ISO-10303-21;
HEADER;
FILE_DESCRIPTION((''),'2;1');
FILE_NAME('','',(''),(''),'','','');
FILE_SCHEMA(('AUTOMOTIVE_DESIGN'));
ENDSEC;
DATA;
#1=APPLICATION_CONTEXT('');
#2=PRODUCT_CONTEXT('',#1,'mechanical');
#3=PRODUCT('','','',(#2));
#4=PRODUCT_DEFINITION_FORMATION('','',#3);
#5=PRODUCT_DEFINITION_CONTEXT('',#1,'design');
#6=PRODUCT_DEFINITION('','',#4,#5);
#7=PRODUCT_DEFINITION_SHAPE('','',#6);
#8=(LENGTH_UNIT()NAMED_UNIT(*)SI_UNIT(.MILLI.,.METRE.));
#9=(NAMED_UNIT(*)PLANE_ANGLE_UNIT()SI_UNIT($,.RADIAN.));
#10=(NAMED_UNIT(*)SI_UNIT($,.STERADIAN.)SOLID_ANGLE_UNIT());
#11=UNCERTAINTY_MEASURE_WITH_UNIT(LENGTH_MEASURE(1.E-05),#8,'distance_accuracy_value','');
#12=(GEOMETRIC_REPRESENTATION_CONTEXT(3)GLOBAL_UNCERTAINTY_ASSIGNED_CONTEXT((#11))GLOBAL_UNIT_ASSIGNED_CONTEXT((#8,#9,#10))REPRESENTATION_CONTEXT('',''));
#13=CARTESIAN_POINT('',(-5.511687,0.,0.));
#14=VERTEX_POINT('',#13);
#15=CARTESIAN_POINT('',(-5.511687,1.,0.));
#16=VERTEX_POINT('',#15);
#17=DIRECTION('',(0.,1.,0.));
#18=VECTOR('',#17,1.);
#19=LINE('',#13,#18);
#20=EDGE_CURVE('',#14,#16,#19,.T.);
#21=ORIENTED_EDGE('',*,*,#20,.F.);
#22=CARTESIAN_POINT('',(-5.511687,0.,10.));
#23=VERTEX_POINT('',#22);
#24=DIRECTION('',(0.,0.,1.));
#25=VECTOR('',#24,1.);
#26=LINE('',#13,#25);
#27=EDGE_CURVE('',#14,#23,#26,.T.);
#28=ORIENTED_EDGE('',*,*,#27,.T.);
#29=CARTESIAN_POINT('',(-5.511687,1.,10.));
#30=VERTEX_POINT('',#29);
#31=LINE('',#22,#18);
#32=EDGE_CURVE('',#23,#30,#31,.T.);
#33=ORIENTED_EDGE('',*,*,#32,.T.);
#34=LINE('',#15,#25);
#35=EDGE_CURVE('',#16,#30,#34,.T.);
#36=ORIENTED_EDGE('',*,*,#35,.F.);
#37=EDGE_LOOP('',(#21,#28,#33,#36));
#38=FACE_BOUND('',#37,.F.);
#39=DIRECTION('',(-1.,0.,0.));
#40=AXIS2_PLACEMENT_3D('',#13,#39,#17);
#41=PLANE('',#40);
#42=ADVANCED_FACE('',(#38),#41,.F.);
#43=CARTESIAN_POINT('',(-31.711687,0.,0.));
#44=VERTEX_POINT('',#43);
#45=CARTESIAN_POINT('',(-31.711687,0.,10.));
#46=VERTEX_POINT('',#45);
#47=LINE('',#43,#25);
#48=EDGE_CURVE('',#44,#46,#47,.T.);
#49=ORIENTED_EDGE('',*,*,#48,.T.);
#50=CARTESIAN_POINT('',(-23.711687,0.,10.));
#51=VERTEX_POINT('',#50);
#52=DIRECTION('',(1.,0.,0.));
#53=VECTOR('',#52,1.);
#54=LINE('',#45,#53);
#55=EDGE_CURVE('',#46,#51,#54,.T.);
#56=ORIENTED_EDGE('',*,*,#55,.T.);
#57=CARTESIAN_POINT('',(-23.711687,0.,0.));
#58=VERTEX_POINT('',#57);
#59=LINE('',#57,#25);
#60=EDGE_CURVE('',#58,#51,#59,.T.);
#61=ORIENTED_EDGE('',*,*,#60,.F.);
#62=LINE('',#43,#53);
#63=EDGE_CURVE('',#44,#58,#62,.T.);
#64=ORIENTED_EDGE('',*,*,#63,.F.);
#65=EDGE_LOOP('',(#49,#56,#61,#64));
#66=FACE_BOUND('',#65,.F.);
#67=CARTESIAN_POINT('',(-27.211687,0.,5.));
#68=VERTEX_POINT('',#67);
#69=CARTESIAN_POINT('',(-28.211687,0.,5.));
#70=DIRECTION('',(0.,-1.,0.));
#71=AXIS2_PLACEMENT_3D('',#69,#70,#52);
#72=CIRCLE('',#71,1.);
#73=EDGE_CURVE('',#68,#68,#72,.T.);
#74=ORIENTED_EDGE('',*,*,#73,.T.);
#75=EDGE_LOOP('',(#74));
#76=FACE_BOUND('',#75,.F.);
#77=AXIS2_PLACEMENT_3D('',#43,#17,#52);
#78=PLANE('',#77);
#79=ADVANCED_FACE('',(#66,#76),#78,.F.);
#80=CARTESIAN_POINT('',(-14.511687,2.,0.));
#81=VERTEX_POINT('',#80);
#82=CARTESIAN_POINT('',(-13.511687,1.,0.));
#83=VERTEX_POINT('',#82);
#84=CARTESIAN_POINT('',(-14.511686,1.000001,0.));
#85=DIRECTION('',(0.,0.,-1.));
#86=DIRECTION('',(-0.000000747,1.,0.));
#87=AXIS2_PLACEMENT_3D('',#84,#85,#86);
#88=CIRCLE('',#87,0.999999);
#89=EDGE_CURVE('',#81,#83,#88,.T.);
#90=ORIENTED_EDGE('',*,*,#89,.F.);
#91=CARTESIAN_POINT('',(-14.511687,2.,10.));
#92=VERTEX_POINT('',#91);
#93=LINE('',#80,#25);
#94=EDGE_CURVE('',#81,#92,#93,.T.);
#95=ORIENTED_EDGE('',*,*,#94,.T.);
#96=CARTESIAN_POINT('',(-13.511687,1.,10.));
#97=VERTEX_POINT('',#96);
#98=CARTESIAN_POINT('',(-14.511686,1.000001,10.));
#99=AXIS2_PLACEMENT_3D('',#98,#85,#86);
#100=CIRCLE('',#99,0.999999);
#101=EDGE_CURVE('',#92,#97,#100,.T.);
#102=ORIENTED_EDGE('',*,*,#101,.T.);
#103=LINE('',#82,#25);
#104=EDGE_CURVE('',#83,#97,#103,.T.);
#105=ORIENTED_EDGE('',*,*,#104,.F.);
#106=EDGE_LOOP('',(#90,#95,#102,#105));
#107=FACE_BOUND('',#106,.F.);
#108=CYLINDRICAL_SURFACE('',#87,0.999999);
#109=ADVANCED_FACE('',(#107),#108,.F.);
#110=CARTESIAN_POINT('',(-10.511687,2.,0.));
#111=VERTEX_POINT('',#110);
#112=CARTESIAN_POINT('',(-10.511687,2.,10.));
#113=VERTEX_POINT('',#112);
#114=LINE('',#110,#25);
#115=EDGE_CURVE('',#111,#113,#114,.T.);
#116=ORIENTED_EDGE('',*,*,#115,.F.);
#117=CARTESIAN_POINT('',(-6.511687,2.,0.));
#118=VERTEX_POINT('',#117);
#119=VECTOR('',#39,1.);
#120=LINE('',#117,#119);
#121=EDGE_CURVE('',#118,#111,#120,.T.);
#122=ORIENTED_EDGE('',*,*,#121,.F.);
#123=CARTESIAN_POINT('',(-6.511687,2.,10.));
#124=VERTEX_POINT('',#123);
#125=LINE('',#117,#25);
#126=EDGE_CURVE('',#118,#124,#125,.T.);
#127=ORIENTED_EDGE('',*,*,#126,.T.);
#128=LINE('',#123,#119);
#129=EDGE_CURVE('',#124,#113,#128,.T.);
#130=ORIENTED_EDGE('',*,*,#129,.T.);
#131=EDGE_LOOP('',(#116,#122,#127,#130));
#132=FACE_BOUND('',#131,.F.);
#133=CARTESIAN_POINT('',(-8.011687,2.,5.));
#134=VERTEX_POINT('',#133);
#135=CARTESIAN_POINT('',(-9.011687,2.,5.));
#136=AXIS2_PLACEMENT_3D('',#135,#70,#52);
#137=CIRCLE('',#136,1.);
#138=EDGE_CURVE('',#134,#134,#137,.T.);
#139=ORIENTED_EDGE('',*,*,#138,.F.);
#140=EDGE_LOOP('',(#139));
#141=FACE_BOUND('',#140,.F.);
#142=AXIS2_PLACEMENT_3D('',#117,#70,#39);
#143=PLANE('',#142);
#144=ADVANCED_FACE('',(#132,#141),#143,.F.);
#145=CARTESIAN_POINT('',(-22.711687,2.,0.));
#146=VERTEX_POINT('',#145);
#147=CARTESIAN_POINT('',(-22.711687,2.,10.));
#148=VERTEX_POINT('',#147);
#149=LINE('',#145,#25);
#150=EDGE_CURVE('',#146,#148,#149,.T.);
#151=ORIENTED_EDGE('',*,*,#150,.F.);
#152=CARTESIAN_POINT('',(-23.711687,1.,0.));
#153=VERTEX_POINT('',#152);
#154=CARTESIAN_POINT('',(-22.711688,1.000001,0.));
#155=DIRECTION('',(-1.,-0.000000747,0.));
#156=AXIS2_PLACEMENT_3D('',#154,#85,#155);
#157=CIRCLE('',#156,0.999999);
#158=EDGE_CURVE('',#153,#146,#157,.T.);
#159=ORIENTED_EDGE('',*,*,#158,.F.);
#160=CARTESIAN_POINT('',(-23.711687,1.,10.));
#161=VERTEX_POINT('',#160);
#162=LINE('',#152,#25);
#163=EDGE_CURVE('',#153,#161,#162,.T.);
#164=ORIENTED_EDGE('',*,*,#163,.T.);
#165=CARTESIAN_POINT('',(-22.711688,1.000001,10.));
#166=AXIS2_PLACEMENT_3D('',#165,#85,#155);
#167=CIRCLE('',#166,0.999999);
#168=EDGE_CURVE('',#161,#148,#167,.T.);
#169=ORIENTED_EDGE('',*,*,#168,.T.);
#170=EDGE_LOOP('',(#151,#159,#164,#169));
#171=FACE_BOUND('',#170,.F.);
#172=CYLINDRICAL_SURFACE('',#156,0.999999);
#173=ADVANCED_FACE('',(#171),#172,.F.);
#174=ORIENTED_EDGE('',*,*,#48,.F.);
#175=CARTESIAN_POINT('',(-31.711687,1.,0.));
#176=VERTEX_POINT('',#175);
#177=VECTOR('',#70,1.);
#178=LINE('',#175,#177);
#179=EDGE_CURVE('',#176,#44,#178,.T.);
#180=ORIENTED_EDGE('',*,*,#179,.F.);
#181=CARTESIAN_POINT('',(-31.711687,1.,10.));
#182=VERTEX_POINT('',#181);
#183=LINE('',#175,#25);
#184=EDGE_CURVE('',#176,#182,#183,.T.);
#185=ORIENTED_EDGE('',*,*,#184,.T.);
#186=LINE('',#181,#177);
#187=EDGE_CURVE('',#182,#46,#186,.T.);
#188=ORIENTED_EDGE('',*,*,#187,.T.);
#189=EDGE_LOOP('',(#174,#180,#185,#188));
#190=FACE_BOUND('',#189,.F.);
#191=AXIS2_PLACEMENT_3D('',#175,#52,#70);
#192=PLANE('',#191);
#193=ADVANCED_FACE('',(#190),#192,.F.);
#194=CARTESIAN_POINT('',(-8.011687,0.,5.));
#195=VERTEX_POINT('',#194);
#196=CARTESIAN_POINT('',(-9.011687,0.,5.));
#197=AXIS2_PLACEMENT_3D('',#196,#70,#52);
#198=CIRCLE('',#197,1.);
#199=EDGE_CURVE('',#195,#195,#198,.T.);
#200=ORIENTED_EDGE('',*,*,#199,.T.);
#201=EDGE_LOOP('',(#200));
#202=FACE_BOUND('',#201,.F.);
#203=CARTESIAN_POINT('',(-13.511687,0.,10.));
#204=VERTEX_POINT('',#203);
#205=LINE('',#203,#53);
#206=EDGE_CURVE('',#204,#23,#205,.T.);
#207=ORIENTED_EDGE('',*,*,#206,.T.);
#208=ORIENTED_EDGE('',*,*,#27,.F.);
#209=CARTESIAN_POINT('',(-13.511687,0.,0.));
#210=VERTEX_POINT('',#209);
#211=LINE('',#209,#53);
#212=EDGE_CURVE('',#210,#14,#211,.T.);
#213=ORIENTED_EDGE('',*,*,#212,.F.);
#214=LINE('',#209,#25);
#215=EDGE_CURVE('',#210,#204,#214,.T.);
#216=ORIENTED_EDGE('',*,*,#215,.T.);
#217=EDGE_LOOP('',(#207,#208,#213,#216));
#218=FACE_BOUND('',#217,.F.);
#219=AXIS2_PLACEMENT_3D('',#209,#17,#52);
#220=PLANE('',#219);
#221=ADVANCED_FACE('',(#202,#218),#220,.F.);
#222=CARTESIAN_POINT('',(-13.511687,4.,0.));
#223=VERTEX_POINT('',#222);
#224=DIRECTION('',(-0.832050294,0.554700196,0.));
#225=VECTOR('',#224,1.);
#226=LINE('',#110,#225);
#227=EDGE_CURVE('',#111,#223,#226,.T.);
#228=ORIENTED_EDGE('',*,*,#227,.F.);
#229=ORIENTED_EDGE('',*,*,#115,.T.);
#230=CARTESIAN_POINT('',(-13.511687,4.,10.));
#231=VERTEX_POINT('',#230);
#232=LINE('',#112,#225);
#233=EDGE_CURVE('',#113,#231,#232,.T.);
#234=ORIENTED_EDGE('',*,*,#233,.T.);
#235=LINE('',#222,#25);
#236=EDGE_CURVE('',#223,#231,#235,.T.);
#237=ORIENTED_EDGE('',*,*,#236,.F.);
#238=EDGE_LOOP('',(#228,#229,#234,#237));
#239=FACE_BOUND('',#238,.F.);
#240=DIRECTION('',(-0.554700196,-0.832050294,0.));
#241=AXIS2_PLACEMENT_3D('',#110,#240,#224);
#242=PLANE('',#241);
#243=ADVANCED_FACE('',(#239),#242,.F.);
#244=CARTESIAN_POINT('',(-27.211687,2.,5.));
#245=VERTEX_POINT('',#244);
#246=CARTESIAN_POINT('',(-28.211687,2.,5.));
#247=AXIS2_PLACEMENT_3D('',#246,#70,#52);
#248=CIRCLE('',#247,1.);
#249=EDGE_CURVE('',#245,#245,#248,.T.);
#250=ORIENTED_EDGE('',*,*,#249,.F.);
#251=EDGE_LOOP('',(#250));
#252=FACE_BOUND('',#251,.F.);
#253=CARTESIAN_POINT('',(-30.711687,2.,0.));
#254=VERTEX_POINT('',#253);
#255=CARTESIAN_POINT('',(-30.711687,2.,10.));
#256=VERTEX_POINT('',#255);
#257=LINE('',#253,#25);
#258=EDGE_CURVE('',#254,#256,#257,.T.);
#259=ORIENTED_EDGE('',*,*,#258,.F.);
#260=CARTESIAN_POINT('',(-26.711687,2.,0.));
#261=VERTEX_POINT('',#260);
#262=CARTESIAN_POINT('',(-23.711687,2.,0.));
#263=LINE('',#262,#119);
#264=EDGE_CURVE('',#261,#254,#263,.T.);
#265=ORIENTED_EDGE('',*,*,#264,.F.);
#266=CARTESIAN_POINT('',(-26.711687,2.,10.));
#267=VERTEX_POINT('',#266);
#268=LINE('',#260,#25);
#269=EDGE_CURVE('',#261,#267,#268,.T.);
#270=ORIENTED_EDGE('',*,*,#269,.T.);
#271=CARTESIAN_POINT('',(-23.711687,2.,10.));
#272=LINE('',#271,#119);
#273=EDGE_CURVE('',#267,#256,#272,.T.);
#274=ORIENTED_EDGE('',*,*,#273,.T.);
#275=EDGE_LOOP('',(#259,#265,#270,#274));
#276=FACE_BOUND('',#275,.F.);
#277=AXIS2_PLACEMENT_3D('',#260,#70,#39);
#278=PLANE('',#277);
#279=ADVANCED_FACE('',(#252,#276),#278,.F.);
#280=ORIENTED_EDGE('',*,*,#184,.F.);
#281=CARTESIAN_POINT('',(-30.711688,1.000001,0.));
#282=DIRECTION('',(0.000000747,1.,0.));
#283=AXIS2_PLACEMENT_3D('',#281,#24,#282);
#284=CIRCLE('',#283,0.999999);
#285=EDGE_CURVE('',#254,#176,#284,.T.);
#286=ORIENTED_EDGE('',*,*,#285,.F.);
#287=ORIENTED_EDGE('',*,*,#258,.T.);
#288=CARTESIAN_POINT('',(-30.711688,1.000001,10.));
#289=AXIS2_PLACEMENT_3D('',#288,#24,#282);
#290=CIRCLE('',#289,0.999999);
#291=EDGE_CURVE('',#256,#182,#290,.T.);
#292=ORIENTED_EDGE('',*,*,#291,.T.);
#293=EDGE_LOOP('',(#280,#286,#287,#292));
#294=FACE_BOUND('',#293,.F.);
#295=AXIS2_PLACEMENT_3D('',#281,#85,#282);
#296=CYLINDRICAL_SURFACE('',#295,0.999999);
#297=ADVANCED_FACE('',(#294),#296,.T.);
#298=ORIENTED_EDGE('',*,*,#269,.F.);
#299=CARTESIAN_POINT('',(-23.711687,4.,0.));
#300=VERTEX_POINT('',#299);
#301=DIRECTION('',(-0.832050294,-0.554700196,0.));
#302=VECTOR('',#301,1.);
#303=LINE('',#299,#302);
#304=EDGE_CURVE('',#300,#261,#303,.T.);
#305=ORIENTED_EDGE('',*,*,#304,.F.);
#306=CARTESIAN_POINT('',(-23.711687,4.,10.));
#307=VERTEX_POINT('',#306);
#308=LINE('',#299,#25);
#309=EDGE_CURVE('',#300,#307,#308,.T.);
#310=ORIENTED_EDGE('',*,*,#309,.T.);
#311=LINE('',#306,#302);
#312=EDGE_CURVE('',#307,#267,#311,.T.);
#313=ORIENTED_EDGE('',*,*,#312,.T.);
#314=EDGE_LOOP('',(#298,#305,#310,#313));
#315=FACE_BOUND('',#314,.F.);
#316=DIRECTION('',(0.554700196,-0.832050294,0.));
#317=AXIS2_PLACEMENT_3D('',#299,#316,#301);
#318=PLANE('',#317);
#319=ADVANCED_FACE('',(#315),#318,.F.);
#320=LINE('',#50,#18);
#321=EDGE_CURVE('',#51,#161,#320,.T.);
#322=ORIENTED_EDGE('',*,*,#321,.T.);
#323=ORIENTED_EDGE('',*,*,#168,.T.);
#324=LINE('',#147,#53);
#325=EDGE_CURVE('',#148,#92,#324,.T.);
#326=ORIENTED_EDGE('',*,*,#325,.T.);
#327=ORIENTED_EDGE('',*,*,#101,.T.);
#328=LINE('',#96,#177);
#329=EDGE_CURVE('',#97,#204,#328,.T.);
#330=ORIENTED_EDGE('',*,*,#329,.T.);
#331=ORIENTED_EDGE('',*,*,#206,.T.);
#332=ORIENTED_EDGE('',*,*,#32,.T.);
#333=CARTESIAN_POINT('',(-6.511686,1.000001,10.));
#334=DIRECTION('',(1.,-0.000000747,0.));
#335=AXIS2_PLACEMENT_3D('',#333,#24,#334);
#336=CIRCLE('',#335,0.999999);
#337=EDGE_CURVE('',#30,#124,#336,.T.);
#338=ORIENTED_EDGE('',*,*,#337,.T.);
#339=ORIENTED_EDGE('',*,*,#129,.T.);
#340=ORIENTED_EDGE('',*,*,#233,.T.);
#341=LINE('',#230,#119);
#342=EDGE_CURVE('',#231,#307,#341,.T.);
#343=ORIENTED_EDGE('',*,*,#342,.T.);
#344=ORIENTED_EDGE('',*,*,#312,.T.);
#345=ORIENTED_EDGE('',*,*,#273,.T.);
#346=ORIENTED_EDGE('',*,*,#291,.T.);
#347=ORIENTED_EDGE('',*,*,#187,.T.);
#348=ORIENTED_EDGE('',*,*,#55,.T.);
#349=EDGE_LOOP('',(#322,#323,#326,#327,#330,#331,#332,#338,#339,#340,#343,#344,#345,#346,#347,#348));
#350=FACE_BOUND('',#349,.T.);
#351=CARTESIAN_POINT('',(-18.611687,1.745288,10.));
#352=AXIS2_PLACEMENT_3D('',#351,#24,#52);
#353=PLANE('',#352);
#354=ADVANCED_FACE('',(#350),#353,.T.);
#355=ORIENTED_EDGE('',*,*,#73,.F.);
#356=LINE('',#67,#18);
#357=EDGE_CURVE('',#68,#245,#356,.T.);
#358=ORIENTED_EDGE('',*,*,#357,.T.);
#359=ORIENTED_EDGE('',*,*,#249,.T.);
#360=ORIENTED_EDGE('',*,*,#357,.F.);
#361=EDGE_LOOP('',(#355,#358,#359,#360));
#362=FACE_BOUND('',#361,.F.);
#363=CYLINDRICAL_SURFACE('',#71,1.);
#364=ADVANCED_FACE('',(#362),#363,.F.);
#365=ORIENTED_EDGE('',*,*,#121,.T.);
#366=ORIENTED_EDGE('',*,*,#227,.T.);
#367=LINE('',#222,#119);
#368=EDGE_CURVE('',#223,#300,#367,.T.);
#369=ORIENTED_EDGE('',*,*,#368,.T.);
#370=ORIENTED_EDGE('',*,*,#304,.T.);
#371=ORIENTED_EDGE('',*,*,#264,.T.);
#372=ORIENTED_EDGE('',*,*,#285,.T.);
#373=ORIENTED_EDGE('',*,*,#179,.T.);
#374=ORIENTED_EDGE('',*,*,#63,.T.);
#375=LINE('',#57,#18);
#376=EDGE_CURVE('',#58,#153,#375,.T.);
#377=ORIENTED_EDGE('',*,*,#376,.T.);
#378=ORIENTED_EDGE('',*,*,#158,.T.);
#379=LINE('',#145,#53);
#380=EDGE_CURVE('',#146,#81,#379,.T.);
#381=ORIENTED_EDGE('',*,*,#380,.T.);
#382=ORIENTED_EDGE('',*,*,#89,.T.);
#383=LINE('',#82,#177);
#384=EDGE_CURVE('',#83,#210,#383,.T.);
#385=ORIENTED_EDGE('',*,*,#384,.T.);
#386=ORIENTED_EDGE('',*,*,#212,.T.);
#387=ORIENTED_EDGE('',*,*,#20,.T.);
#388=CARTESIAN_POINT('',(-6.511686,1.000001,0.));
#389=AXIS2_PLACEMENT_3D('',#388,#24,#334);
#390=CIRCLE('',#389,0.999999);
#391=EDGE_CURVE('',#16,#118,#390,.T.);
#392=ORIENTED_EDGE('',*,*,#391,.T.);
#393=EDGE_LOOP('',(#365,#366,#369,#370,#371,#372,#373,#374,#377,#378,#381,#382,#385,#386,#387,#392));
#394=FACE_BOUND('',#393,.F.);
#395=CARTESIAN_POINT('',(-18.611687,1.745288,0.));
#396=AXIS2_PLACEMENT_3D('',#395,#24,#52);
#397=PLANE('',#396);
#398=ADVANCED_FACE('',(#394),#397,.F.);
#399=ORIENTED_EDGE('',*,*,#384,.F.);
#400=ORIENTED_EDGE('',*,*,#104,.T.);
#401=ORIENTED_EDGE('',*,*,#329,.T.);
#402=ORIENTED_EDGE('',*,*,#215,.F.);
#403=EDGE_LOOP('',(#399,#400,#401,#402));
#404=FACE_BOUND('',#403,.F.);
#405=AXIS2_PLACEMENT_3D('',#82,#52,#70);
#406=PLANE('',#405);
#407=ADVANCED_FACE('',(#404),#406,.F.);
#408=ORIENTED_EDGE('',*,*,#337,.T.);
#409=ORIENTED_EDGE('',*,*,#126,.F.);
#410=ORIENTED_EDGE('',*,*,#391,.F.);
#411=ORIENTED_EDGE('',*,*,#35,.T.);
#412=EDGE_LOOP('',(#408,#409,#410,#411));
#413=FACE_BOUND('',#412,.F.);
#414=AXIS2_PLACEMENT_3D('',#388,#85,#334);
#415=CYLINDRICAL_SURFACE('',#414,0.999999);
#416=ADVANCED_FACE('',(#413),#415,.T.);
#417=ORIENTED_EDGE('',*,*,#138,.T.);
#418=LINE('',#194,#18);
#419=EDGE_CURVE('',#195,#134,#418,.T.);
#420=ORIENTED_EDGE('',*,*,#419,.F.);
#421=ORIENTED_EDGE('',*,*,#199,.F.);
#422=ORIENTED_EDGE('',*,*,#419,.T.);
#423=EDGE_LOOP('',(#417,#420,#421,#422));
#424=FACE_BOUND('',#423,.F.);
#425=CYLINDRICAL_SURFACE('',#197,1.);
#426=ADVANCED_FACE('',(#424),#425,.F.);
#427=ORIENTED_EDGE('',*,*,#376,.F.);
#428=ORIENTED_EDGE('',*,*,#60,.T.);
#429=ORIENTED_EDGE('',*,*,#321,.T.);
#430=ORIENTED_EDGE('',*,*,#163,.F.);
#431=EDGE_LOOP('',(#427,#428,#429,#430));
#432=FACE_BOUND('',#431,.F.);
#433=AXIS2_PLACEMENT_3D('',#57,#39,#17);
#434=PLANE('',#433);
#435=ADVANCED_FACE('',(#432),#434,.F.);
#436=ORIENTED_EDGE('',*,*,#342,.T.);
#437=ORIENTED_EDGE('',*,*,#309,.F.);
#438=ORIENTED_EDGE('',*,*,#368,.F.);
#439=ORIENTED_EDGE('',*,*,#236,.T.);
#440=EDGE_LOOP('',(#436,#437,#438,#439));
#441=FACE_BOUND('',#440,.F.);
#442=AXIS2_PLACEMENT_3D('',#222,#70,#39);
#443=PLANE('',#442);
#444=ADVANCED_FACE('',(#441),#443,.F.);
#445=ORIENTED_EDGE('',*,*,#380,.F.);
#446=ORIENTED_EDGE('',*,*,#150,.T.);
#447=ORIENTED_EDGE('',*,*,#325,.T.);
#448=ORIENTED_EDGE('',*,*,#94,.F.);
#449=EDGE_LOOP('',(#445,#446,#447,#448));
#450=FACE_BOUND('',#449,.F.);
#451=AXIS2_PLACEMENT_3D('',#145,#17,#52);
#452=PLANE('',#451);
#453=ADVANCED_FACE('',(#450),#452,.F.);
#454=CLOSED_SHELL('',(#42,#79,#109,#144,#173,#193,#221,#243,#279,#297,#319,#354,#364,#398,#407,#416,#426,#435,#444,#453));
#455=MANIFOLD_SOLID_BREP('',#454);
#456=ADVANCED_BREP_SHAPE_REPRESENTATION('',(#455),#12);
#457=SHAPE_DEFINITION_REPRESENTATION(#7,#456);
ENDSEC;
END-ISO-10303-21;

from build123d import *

# Parameters (mm, degrees)
F1_DEPTH = 10
F2_R     = 1
F3_DEPTH = 4.001


with BuildPart() as f1:
    # F0 (on Top) → F1 (new body)
    with BuildSketch(Plane.XY):
        with BuildLine():
            Line((-31.711687, 1), (-31.711687, 0))
            Line((-31.711687, 0), (-23.711687, 0))
            Line((-23.711687, 0), (-23.711687, 1))
            ThreePointArc((-23.711687, 1), (-23.418794, 1.707107), (-22.711687, 2))
            Line((-22.711687, 2), (-14.511687, 2))
            ThreePointArc((-14.511687, 2), (-13.80458, 1.707107), (-13.511687, 1))
            Line((-13.511687, 1), (-13.511687, 0))
            Line((-13.511687, 0), (-5.511687, 0))
            Line((-5.511687, 0), (-5.511687, 1))
            ThreePointArc((-5.511687, 1), (-5.80458, 1.707107), (-6.511687, 2))
            Line((-6.511687, 2), (-10.511687, 2))
            Line((-10.511687, 2), (-13.511687, 2))
            Line((-13.511687, 2), (-13.511687, 4))
            Line((-13.511687, 4), (-23.711687, 4))
            Line((-23.711687, 4), (-23.711687, 2))
            Line((-23.711687, 2), (-26.711687, 2))
            Line((-26.711687, 2), (-30.711687, 2))
            ThreePointArc((-30.711687, 2), (-31.418794, 1.707107), (-31.711687, 1))
        make_face()
        Polygon((-23.711687, 4), (-26.711687, 2), (-23.711687, 2), align=None)
        Polygon((-10.511687, 2), (-13.511687, 4), (-13.511687, 2), align=None)
    extrude(amount=F1_DEPTH)

    # F2 (on face) → F3 (cut, through all)
    with BuildSketch(Plane.XZ):
        with Locations((-28.211687, 5)):
            Circle(F2_R)
        with Locations((-9.011687, 5)):
            Circle(F2_R)
    extrude(amount=-F3_DEPTH, mode=Mode.SUBTRACT)


solid = f1.part
